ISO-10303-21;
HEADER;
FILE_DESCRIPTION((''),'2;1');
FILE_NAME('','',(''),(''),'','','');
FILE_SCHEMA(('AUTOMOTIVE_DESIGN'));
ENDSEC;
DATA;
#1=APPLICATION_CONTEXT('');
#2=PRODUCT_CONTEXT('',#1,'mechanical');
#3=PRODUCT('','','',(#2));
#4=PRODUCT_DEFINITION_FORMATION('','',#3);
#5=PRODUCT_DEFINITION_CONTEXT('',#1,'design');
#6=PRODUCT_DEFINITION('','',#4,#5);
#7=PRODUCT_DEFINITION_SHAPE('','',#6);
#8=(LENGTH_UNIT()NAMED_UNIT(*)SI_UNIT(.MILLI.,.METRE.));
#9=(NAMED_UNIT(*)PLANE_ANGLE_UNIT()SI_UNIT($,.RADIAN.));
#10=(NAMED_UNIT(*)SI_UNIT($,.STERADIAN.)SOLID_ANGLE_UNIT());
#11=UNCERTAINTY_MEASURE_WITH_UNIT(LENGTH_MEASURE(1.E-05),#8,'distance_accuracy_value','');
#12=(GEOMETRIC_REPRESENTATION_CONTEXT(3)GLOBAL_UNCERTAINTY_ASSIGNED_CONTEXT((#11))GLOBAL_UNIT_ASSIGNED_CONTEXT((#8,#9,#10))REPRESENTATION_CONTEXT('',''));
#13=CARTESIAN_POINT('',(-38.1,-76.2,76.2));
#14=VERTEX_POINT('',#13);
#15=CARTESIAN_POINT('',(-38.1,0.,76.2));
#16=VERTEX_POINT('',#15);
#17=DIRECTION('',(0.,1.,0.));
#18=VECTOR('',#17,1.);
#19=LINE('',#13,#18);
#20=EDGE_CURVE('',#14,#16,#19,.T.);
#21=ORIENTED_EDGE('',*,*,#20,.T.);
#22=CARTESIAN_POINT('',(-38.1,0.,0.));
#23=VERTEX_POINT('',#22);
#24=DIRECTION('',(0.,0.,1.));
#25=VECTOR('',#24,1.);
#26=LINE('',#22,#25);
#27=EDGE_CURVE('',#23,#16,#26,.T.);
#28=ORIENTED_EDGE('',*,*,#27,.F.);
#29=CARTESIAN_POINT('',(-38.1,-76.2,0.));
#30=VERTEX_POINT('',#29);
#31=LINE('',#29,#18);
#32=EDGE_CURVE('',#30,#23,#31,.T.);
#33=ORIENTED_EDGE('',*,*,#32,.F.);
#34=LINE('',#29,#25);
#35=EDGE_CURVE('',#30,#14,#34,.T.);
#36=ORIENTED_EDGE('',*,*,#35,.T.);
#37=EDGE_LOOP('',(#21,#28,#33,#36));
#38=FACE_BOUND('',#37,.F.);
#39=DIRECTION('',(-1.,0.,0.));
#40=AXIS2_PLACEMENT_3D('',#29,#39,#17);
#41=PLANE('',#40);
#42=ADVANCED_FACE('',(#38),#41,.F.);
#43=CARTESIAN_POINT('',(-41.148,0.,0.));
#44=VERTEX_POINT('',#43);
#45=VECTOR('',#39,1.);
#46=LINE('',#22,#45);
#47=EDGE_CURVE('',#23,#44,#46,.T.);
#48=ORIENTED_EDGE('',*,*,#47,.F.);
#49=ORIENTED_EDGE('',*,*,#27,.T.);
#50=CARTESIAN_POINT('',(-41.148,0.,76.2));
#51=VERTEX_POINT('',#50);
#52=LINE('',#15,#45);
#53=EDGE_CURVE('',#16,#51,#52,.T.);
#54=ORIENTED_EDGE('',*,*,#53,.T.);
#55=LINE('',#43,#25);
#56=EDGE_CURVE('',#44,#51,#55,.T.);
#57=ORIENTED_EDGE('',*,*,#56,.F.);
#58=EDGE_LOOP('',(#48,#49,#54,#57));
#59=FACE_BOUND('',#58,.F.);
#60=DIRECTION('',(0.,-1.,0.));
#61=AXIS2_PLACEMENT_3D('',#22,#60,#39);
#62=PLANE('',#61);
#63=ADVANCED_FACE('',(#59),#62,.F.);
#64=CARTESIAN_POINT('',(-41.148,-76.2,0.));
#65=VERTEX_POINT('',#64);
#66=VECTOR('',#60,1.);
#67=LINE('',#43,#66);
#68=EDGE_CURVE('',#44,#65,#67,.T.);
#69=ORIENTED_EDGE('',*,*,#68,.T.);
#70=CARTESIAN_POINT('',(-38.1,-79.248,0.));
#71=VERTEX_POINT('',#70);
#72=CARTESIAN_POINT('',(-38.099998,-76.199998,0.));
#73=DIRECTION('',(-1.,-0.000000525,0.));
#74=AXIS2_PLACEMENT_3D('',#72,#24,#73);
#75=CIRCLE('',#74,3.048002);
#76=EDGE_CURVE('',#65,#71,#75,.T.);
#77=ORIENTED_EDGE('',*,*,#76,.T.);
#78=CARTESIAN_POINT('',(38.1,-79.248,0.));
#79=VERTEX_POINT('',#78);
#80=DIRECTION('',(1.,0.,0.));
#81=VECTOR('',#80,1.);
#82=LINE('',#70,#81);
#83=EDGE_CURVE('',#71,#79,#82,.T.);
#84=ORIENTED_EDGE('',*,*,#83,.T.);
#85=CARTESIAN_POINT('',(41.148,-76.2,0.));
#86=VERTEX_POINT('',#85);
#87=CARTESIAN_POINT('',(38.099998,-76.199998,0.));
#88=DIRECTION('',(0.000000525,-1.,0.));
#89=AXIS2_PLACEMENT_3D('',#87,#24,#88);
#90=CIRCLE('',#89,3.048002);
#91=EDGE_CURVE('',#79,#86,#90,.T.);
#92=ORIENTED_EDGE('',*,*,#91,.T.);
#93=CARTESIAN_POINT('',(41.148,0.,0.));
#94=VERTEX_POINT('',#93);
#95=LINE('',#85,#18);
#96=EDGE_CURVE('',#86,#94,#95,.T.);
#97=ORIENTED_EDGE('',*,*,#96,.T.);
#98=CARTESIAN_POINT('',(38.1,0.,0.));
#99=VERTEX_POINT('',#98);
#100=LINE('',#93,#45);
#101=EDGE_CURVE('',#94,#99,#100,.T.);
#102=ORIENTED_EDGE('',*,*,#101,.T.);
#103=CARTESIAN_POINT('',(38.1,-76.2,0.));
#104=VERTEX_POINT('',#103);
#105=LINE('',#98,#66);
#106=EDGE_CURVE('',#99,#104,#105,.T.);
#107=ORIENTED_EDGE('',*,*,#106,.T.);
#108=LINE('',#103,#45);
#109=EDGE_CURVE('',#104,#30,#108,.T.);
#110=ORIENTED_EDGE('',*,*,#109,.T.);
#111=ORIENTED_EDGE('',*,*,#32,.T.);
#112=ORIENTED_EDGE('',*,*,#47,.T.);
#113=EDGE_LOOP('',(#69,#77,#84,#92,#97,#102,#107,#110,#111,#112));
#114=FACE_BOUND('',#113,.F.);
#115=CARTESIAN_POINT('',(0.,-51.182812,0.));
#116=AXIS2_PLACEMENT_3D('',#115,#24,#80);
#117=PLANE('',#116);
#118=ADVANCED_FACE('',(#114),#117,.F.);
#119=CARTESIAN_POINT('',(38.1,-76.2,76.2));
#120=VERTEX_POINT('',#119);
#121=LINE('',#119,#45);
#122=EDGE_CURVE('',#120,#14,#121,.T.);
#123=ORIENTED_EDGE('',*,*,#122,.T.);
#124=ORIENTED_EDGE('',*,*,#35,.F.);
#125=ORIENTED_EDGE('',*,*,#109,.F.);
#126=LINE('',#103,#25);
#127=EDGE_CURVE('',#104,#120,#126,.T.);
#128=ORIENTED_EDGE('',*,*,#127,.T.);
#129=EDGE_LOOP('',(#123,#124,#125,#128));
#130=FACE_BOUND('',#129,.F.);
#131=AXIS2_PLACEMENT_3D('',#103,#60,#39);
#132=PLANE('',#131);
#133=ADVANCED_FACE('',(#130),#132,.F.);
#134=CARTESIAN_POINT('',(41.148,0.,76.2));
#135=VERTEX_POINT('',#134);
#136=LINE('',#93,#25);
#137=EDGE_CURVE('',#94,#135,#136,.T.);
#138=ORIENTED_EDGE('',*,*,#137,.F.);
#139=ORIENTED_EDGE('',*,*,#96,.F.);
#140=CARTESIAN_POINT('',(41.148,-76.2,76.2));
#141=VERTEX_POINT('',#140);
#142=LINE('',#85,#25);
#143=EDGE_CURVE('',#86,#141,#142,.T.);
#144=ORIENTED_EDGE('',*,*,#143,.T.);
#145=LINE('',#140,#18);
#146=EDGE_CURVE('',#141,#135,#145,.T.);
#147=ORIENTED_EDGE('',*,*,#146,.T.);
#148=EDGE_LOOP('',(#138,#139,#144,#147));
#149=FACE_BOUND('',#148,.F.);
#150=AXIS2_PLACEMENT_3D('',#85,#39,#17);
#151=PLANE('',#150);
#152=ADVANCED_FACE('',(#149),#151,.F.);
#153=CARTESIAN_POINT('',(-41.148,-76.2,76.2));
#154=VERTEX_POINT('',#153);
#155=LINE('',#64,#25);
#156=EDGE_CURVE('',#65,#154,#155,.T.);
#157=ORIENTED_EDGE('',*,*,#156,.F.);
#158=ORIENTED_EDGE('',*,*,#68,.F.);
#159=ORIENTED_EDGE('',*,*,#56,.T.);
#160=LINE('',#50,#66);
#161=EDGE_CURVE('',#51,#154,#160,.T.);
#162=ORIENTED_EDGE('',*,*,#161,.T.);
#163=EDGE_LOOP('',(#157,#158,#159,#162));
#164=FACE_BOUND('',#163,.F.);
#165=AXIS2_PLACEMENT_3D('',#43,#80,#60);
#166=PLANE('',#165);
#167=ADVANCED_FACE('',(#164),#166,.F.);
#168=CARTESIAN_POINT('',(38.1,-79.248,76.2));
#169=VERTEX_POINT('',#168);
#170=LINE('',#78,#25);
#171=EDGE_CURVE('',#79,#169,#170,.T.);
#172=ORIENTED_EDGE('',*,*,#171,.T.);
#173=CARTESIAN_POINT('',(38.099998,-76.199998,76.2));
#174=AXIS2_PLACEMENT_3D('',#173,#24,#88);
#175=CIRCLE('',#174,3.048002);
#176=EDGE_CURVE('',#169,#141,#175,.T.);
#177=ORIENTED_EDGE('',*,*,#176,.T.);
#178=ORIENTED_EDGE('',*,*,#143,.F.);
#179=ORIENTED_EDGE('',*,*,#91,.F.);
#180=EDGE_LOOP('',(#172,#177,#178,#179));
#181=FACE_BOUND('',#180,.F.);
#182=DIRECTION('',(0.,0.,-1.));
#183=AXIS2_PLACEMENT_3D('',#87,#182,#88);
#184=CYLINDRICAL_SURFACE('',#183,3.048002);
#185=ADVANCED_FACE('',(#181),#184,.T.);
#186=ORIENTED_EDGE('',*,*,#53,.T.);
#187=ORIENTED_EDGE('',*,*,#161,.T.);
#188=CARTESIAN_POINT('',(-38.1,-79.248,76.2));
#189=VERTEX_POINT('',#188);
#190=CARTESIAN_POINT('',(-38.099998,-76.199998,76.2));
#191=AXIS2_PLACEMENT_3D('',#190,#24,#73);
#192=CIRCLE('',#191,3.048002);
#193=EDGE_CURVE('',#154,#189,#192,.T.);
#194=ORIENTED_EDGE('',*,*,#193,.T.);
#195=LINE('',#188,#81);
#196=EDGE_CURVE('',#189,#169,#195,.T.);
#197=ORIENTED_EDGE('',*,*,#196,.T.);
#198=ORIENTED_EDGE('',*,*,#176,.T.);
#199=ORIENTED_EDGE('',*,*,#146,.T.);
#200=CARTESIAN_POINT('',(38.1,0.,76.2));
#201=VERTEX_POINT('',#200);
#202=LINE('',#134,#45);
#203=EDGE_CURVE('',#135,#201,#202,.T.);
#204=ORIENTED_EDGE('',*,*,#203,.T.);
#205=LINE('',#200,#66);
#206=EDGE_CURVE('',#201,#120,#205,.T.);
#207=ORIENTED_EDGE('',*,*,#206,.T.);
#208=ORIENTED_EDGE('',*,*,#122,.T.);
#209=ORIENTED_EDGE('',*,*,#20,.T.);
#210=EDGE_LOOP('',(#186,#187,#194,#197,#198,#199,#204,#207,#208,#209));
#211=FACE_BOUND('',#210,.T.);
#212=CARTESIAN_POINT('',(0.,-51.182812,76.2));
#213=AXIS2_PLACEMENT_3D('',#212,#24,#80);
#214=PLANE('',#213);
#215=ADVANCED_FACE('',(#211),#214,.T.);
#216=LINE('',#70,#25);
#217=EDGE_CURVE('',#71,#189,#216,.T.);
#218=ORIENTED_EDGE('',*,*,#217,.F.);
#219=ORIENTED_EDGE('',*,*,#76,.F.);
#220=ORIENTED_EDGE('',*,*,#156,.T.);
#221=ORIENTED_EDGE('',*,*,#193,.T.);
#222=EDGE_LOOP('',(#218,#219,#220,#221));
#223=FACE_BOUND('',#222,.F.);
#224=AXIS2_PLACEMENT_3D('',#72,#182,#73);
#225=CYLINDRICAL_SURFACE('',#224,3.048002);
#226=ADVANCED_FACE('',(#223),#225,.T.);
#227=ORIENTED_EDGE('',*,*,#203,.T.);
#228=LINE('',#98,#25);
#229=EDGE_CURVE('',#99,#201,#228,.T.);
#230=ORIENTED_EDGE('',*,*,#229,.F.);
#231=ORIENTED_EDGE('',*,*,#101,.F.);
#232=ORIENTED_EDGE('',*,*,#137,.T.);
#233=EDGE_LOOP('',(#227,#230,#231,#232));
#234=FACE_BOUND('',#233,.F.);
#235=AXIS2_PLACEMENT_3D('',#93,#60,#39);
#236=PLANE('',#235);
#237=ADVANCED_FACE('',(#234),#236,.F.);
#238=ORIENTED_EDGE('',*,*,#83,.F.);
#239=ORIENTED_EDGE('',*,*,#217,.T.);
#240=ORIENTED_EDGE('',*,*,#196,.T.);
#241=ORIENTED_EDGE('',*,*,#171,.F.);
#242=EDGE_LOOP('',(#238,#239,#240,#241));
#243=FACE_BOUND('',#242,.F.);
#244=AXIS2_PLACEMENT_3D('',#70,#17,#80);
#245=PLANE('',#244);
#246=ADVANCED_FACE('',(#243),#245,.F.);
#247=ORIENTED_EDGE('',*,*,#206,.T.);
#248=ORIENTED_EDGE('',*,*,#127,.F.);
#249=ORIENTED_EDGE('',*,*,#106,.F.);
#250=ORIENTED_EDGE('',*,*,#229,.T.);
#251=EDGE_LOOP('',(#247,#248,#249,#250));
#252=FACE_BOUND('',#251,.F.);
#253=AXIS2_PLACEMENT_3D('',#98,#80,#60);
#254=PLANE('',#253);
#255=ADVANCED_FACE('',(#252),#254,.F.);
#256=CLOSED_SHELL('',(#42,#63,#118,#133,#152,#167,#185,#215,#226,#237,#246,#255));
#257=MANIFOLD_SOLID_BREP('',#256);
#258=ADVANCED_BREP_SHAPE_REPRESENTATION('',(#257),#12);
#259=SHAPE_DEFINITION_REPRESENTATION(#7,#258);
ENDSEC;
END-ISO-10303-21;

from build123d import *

# Parameters (mm, degrees)
F1_DEPTH = 76.2


with BuildPart() as f1:
    # F0 (on Top) → F1 (new body)
    with BuildSketch(Plane.XY):
        with BuildLine():
            Line((-38.1, -76.2), (-38.1, 0))
            Line((-38.1, 0), (-41.148, 0))
            Line((-41.148, 0), (-41.148, -76.2))
            ThreePointArc((-41.148, -76.2), (-40.255261, -78.355261), (-38.1, -79.248))
            Line((-38.1, -79.248), (38.1, -79.248))
            ThreePointArc((38.1, -79.248), (40.255261, -78.355261), (41.148, -76.2))
            Line((41.148, -76.2), (41.148, 0))
            Line((41.148, 0), (38.1, 0))
            Line((38.1, 0), (38.1, -76.2))
            Line((38.1, -76.2), (-38.1, -76.2))
        make_face()
    extrude(amount=F1_DEPTH)


solid = f1.part
